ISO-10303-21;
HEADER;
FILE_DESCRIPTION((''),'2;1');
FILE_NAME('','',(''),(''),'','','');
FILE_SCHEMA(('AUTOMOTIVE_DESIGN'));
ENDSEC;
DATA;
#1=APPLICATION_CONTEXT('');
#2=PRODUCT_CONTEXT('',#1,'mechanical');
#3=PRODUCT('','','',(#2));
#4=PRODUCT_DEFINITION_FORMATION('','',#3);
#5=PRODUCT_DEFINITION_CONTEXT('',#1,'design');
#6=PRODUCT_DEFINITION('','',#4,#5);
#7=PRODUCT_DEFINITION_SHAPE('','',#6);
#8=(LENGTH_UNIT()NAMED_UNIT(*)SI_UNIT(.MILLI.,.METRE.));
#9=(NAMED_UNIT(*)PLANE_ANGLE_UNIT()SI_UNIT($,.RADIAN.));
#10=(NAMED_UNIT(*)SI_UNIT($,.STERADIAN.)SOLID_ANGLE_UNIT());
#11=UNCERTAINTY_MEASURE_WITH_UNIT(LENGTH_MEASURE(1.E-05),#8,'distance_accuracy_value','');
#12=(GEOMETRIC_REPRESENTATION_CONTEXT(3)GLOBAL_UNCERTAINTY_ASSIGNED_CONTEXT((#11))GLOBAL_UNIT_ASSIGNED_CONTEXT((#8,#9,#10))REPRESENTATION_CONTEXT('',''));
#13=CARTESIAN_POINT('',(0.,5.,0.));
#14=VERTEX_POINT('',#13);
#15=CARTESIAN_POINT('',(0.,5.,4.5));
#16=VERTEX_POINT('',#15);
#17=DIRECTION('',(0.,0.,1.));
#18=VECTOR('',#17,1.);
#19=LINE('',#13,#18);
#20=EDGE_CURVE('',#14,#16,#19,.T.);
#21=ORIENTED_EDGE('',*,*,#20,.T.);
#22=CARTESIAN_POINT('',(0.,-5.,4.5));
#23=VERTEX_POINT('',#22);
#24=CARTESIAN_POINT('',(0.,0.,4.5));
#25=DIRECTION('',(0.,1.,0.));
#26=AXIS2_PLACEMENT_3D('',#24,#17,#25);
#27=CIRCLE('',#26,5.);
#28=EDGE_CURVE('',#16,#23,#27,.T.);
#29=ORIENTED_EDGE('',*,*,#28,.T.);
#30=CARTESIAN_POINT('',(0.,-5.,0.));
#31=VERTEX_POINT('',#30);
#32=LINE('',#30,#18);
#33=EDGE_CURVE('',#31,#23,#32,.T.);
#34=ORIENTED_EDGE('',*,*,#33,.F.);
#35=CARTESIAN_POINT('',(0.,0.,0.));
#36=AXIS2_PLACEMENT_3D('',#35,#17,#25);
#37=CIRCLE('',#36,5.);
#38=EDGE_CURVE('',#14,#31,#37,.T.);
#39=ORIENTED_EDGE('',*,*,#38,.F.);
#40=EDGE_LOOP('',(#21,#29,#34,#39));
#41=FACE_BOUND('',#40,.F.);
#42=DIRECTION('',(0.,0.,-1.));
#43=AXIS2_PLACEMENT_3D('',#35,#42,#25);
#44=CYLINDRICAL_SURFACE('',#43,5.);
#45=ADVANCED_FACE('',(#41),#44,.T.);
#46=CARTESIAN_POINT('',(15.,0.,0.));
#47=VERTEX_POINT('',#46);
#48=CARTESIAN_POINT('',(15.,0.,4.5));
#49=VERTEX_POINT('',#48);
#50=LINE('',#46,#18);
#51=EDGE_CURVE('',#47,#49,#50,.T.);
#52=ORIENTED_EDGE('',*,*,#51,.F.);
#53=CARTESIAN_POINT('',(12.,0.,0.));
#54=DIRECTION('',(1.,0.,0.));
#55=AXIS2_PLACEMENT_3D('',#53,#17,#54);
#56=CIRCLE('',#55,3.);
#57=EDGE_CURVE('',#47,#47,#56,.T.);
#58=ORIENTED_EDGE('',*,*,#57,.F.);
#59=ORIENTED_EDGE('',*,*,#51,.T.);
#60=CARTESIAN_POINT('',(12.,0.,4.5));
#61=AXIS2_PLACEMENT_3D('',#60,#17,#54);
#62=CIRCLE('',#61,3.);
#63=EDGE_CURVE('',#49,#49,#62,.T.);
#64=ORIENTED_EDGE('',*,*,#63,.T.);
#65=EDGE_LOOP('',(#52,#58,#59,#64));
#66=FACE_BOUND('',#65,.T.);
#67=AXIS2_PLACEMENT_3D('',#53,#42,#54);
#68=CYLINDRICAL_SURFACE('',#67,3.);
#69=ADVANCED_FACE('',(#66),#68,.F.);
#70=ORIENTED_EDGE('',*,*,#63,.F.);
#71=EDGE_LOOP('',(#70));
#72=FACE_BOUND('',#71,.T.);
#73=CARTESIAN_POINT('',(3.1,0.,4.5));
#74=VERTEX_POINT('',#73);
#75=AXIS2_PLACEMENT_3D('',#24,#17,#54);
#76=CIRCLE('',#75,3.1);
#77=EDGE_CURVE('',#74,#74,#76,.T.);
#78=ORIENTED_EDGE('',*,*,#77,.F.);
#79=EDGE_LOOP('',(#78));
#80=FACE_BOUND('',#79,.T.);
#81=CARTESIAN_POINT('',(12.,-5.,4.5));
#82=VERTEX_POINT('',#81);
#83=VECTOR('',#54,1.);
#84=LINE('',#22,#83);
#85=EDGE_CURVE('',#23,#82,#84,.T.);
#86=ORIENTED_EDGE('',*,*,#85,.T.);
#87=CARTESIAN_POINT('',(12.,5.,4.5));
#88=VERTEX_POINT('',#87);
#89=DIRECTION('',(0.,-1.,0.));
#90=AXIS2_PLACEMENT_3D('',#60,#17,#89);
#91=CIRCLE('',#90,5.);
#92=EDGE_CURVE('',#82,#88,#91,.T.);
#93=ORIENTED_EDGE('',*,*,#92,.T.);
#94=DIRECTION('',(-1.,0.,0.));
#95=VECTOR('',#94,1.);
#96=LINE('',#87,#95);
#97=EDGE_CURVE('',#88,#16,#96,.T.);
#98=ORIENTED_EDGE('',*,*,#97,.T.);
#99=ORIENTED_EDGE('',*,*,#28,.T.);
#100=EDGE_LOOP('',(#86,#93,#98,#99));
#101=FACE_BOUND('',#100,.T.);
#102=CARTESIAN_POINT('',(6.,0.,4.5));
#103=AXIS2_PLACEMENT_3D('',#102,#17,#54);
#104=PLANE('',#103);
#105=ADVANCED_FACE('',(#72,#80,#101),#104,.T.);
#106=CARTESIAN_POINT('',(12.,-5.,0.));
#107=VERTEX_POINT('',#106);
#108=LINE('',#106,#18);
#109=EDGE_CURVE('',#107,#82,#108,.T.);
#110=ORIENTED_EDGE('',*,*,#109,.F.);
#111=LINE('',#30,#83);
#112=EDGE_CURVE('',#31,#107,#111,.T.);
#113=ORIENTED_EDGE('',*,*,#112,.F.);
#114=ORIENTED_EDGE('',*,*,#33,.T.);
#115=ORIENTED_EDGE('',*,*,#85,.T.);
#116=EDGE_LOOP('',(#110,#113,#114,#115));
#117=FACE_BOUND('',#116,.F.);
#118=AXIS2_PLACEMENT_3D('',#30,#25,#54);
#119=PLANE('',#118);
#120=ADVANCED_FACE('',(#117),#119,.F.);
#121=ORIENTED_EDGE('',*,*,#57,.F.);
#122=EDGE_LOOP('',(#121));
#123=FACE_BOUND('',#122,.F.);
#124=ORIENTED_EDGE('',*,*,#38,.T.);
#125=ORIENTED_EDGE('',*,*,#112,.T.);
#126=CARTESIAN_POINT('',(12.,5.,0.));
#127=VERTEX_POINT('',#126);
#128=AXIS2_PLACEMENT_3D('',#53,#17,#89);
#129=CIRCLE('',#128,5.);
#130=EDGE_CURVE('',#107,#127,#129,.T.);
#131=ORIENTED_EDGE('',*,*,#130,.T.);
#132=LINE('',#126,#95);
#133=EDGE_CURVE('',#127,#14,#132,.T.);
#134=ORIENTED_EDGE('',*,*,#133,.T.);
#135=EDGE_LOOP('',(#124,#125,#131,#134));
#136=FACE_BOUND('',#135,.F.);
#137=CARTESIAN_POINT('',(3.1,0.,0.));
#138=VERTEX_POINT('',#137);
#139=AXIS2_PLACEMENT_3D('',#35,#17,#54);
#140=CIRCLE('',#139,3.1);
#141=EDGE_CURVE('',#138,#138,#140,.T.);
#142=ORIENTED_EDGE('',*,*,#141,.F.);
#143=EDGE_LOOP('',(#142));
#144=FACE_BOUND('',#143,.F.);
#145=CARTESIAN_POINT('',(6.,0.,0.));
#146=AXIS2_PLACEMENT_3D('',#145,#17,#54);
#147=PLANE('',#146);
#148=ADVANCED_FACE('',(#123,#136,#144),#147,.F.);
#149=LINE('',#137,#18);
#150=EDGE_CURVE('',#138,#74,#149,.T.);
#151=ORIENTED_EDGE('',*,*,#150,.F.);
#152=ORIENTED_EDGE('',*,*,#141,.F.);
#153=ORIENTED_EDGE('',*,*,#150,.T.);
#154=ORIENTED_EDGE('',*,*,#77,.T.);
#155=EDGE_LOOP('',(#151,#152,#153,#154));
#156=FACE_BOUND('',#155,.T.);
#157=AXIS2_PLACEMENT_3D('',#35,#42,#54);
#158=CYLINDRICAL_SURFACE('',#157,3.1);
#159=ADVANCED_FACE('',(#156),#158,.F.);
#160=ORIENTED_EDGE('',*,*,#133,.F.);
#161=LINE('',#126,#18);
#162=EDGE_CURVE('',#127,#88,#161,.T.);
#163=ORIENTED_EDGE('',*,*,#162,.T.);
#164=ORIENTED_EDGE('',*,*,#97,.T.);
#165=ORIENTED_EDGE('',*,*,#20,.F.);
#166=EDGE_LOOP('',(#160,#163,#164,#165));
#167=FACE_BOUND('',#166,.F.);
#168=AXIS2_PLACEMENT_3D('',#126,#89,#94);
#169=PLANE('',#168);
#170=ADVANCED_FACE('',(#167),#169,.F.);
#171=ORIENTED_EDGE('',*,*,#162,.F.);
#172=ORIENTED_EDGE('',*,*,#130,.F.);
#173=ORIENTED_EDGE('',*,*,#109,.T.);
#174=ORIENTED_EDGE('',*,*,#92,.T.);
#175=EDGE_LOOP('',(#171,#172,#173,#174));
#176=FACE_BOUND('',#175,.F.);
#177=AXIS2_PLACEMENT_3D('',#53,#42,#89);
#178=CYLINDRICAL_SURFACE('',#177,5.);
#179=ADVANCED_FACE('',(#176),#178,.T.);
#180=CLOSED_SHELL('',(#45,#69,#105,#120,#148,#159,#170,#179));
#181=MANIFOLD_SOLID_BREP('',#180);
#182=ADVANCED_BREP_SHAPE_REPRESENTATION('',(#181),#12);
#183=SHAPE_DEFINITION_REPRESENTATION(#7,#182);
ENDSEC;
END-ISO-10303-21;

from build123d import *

# Parameters (mm, degrees)
F0_R     = 3.1
F0_R_2   = 3
F1_DEPTH = 4.5


with BuildPart() as f1:
    # F0 (on Top) → F1 (new body)
    with BuildSketch(Plane.XY):
        with BuildLine():
            ThreePointArc((0, 5), (-5, 0), (0, -5))
            Line((0, -5), (12, -5))
            ThreePointArc((12, -5), (17, 0), (12, 5))
            Line((12, 5), (0, 5))
        make_face()
        Circle(F0_R, mode=Mode.SUBTRACT)
        with Locations((12, 0)):
            Circle(F0_R_2, mode=Mode.SUBTRACT)
    extrude(amount=F1_DEPTH)


solid = f1.part
